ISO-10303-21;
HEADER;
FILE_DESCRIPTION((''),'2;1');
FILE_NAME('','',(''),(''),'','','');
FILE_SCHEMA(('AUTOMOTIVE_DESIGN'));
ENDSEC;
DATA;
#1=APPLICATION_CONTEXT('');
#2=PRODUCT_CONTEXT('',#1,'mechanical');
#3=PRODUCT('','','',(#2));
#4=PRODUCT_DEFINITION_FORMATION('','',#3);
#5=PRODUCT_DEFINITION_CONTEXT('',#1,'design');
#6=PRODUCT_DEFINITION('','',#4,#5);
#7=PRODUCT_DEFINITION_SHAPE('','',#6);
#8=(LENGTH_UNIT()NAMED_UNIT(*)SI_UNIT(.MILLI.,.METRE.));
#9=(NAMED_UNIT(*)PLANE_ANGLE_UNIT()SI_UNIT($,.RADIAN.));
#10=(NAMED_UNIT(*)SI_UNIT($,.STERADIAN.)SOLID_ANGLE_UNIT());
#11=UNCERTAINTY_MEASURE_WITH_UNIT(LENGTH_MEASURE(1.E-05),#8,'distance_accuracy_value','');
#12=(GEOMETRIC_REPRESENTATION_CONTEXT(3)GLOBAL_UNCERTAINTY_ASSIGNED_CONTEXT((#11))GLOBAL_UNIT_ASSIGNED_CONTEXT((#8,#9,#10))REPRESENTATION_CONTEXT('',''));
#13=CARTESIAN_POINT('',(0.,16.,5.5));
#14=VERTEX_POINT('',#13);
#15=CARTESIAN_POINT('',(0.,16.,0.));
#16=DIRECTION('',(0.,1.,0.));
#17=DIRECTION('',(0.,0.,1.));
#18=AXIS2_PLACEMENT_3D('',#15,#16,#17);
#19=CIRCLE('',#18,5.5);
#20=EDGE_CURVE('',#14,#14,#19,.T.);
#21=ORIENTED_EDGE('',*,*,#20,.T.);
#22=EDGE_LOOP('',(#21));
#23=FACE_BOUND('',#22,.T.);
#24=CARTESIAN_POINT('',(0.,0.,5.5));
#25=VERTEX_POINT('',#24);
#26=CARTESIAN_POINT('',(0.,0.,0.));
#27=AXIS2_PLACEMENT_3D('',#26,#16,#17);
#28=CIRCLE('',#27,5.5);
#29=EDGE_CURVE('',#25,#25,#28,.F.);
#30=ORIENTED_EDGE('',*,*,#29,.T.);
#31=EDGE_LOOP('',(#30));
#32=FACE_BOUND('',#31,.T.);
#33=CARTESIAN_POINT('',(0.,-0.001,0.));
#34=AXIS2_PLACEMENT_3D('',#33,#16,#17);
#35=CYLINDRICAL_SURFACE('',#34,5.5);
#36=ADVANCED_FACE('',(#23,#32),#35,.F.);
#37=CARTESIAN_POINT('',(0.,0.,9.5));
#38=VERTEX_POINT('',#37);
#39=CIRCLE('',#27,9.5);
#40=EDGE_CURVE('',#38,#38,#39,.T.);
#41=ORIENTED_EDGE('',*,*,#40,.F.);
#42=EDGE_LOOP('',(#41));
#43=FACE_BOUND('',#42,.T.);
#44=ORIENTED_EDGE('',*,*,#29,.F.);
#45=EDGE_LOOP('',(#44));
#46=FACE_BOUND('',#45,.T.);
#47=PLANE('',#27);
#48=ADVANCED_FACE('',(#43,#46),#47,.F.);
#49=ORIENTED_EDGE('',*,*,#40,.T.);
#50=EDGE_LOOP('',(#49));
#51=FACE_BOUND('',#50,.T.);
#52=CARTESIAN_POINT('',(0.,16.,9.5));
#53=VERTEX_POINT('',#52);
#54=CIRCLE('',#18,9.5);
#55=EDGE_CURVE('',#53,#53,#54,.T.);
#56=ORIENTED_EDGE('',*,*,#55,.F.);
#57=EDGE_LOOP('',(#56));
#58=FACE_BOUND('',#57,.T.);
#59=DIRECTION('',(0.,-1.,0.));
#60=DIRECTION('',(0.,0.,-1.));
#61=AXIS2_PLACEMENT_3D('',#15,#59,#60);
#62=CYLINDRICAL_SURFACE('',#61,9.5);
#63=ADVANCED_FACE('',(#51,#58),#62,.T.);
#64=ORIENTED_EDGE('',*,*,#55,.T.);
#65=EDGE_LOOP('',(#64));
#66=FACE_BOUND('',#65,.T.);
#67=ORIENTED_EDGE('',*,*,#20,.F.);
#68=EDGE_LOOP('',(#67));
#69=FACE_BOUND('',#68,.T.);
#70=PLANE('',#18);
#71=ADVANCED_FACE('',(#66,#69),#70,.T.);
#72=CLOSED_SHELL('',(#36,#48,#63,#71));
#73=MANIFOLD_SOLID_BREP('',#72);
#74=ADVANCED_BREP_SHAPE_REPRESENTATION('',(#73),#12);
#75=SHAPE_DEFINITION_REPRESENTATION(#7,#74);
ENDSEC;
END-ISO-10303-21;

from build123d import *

# Parameters (mm, degrees)
CROQUIS1_R              = 9.5
SALIENTE_EXTRUIR1_DEPTH = 16
CORTAR_EXTRUIR1_REACH   = 22.893
CROQUIS2_R              = 5.5


with BuildPart() as part:
    # Croquis1 → Saliente-Extruir1 (new body)
    with BuildSketch(Plane(origin=(0, 0, 0), x_dir=(1, 0, 0), z_dir=(0, 1, 0))):
        with Locations(Location((0, 0, 0), (0, 0, 270))):
            Circle(CROQUIS1_R)
    extrude(amount=SALIENTE_EXTRUIR1_DEPTH)

    # Croquis2 → Cortar-Extruir1 (cut, up to next)
    with BuildSketch(Plane(origin=(0, 16, 0), x_dir=(1, 0, 0), z_dir=(0, 1, 0)), mode=Mode.PRIVATE) as cortar_extruir1_sk1:
        with Locations(Location((0, 0, 0), (0, 0, 270))):
            Circle(CROQUIS2_R)
    cortar_extruir1_tool1 = extrude(cortar_extruir1_sk1.sketch, amount=-CORTAR_EXTRUIR1_REACH, mode=Mode.PRIVATE) & part.part
    add(cortar_extruir1_tool1.solids().sort_by_distance((0, 16, 0))[0], mode=Mode.SUBTRACT)


solid = part.part
